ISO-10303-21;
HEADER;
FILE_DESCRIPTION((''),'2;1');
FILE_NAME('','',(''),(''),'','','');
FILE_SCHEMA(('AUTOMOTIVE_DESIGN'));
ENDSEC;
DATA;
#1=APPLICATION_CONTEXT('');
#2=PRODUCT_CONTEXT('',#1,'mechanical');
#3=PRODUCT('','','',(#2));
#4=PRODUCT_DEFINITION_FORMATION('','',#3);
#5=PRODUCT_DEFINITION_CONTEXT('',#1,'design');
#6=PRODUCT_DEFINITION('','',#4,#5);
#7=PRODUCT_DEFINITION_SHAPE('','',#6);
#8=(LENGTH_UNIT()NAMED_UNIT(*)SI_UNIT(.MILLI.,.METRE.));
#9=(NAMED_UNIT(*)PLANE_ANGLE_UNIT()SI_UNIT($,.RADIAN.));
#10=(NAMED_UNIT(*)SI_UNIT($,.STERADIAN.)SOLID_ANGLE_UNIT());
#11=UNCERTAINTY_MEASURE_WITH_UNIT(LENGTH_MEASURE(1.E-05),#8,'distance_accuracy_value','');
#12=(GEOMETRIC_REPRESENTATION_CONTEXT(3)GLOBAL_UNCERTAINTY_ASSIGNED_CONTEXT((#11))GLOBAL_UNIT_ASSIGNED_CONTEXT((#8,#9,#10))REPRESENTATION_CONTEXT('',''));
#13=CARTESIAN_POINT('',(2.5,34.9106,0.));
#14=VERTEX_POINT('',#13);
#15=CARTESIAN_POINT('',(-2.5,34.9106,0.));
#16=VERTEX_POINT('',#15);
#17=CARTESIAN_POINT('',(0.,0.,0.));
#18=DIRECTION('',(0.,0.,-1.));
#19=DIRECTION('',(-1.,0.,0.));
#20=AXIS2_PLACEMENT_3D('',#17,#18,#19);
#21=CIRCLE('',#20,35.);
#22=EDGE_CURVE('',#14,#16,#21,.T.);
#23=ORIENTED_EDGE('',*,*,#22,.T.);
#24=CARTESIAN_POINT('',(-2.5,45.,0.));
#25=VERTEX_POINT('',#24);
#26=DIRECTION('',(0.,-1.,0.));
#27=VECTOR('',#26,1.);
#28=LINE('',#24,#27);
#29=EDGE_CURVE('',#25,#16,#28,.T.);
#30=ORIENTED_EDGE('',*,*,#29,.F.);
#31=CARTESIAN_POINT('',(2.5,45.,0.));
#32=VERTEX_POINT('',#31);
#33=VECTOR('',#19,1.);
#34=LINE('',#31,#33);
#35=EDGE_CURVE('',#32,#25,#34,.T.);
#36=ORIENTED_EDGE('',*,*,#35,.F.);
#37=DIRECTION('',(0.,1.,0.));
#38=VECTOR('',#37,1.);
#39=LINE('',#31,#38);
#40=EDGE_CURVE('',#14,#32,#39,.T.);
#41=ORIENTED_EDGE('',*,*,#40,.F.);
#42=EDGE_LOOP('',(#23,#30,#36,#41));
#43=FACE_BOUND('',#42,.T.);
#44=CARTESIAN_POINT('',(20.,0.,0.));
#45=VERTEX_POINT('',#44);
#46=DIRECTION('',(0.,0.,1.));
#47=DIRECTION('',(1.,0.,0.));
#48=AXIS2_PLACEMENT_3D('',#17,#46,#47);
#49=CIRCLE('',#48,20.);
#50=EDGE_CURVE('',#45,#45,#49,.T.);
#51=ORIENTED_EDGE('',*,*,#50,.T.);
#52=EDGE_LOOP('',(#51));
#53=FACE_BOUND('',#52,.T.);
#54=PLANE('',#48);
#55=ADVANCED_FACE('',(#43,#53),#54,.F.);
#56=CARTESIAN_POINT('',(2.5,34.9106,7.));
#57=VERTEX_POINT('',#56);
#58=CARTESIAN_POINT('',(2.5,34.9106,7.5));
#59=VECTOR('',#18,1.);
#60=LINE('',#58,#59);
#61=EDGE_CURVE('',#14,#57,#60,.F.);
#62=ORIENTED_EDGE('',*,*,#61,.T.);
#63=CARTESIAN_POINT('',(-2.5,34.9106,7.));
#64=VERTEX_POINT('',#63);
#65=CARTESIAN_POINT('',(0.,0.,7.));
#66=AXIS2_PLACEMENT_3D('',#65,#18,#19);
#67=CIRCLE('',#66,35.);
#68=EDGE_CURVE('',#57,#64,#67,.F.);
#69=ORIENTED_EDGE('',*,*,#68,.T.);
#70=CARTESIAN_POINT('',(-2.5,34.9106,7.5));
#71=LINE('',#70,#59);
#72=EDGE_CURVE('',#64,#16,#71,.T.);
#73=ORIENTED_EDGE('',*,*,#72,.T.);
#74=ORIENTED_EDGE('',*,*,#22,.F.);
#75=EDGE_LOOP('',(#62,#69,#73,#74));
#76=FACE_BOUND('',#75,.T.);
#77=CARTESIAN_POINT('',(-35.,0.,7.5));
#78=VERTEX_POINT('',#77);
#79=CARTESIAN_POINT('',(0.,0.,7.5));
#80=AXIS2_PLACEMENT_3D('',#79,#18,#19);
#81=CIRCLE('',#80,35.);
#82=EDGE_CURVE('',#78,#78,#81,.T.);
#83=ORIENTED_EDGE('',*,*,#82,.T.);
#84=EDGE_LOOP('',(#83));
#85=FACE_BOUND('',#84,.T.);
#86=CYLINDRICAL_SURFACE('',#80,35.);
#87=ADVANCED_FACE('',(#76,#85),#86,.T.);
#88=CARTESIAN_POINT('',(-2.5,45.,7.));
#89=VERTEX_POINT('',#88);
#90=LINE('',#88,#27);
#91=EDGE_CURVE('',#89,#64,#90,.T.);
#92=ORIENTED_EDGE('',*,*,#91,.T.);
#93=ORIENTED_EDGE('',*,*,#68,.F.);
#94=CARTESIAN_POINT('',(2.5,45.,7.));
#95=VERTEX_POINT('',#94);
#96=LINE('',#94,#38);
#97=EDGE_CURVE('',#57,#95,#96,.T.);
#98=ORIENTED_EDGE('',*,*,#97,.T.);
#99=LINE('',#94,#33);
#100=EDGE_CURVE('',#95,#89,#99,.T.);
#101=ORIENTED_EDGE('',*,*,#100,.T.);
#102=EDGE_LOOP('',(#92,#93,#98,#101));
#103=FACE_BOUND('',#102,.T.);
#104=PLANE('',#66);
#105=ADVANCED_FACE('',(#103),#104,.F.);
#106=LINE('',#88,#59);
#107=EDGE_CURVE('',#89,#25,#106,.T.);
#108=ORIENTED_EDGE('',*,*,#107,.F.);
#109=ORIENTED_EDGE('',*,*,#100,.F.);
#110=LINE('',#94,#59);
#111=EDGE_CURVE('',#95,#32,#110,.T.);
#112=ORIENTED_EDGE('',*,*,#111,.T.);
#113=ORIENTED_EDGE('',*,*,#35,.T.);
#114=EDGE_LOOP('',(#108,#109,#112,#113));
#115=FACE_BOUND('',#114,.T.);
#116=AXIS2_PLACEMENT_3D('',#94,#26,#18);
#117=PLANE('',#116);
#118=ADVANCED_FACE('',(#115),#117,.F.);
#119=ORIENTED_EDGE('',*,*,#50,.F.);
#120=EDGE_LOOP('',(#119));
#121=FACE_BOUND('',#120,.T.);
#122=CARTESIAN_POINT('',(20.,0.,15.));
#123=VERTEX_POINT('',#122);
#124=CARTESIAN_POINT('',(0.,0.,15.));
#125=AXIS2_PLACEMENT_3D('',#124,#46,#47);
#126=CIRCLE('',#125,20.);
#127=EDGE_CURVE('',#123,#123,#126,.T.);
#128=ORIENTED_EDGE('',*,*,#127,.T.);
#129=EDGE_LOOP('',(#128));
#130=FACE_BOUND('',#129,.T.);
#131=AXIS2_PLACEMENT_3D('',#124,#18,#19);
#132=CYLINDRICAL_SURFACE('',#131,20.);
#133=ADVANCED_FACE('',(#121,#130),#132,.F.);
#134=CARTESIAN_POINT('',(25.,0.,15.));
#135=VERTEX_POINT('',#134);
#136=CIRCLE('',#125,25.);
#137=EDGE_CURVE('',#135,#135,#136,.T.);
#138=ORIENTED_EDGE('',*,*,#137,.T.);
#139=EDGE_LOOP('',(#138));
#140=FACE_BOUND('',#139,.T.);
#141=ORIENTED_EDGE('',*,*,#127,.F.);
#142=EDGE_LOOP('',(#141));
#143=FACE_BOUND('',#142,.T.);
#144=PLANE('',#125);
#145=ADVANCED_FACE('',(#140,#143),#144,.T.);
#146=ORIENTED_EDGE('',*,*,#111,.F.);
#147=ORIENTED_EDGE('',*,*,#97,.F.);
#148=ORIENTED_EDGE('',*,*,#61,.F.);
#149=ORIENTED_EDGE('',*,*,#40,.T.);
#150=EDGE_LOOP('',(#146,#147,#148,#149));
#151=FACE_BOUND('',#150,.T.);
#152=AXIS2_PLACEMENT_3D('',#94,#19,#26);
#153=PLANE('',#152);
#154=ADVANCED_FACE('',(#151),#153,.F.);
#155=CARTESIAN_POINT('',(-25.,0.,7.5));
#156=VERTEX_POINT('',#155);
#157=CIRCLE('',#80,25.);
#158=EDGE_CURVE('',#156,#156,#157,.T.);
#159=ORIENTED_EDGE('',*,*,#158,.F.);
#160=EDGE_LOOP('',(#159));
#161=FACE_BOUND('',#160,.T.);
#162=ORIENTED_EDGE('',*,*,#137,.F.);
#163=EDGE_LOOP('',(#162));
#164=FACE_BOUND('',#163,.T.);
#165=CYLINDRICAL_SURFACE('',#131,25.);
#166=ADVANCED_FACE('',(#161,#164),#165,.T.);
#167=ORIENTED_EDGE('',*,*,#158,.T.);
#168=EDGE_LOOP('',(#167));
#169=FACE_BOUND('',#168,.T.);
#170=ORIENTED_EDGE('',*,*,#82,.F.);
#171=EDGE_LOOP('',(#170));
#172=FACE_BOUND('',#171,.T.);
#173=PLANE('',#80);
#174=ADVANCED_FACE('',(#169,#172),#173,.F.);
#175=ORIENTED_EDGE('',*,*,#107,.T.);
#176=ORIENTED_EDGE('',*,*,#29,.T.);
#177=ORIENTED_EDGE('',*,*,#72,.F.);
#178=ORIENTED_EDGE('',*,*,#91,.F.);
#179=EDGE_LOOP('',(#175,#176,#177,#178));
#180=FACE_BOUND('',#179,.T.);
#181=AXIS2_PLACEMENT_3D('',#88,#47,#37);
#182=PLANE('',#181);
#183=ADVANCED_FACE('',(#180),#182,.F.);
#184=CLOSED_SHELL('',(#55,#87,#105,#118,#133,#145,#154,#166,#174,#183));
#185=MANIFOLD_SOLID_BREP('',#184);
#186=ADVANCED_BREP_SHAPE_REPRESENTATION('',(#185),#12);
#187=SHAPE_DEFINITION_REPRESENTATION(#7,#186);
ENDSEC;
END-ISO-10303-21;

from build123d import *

# Parameters (mm, degrees)
SKETCH1_R           = 25
SKETCH1_R_2         = 20
BOSS_EXTRUDE1_DEPTH = 15
SKETCH2_R           = 35
SKETCH2_R_2         = 25
BOSS_EXTRUDE2_DEPTH = 7.5
SKETCH3_W           = 5
SKETCH3_H           = 16.794369207
BOSS_EXTRUDE3_DEPTH = 7


with BuildPart() as part:
    # Sketch1 → Boss-Extrude1 (new body)
    with BuildSketch(Plane.XY):
        Circle(SKETCH1_R)
        Circle(SKETCH1_R_2, mode=Mode.SUBTRACT)
    extrude(amount=BOSS_EXTRUDE1_DEPTH)

    # Sketch2 → Boss-Extrude2 (add)
    with BuildSketch(Plane(origin=(0, 0, 0), x_dir=(-1, 0, 0), z_dir=(0, 0, -1))):
        Circle(SKETCH2_R)
        Circle(SKETCH2_R_2, mode=Mode.SUBTRACT)
    extrude(amount=-BOSS_EXTRUDE2_DEPTH)

    # Sketch3 → Boss-Extrude3 (add)
    with BuildSketch(Plane.XY):
        with Locations((0, 36.602815396)):
            Rectangle(SKETCH3_W, SKETCH3_H)
    extrude(amount=BOSS_EXTRUDE3_DEPTH)


solid = part.part
